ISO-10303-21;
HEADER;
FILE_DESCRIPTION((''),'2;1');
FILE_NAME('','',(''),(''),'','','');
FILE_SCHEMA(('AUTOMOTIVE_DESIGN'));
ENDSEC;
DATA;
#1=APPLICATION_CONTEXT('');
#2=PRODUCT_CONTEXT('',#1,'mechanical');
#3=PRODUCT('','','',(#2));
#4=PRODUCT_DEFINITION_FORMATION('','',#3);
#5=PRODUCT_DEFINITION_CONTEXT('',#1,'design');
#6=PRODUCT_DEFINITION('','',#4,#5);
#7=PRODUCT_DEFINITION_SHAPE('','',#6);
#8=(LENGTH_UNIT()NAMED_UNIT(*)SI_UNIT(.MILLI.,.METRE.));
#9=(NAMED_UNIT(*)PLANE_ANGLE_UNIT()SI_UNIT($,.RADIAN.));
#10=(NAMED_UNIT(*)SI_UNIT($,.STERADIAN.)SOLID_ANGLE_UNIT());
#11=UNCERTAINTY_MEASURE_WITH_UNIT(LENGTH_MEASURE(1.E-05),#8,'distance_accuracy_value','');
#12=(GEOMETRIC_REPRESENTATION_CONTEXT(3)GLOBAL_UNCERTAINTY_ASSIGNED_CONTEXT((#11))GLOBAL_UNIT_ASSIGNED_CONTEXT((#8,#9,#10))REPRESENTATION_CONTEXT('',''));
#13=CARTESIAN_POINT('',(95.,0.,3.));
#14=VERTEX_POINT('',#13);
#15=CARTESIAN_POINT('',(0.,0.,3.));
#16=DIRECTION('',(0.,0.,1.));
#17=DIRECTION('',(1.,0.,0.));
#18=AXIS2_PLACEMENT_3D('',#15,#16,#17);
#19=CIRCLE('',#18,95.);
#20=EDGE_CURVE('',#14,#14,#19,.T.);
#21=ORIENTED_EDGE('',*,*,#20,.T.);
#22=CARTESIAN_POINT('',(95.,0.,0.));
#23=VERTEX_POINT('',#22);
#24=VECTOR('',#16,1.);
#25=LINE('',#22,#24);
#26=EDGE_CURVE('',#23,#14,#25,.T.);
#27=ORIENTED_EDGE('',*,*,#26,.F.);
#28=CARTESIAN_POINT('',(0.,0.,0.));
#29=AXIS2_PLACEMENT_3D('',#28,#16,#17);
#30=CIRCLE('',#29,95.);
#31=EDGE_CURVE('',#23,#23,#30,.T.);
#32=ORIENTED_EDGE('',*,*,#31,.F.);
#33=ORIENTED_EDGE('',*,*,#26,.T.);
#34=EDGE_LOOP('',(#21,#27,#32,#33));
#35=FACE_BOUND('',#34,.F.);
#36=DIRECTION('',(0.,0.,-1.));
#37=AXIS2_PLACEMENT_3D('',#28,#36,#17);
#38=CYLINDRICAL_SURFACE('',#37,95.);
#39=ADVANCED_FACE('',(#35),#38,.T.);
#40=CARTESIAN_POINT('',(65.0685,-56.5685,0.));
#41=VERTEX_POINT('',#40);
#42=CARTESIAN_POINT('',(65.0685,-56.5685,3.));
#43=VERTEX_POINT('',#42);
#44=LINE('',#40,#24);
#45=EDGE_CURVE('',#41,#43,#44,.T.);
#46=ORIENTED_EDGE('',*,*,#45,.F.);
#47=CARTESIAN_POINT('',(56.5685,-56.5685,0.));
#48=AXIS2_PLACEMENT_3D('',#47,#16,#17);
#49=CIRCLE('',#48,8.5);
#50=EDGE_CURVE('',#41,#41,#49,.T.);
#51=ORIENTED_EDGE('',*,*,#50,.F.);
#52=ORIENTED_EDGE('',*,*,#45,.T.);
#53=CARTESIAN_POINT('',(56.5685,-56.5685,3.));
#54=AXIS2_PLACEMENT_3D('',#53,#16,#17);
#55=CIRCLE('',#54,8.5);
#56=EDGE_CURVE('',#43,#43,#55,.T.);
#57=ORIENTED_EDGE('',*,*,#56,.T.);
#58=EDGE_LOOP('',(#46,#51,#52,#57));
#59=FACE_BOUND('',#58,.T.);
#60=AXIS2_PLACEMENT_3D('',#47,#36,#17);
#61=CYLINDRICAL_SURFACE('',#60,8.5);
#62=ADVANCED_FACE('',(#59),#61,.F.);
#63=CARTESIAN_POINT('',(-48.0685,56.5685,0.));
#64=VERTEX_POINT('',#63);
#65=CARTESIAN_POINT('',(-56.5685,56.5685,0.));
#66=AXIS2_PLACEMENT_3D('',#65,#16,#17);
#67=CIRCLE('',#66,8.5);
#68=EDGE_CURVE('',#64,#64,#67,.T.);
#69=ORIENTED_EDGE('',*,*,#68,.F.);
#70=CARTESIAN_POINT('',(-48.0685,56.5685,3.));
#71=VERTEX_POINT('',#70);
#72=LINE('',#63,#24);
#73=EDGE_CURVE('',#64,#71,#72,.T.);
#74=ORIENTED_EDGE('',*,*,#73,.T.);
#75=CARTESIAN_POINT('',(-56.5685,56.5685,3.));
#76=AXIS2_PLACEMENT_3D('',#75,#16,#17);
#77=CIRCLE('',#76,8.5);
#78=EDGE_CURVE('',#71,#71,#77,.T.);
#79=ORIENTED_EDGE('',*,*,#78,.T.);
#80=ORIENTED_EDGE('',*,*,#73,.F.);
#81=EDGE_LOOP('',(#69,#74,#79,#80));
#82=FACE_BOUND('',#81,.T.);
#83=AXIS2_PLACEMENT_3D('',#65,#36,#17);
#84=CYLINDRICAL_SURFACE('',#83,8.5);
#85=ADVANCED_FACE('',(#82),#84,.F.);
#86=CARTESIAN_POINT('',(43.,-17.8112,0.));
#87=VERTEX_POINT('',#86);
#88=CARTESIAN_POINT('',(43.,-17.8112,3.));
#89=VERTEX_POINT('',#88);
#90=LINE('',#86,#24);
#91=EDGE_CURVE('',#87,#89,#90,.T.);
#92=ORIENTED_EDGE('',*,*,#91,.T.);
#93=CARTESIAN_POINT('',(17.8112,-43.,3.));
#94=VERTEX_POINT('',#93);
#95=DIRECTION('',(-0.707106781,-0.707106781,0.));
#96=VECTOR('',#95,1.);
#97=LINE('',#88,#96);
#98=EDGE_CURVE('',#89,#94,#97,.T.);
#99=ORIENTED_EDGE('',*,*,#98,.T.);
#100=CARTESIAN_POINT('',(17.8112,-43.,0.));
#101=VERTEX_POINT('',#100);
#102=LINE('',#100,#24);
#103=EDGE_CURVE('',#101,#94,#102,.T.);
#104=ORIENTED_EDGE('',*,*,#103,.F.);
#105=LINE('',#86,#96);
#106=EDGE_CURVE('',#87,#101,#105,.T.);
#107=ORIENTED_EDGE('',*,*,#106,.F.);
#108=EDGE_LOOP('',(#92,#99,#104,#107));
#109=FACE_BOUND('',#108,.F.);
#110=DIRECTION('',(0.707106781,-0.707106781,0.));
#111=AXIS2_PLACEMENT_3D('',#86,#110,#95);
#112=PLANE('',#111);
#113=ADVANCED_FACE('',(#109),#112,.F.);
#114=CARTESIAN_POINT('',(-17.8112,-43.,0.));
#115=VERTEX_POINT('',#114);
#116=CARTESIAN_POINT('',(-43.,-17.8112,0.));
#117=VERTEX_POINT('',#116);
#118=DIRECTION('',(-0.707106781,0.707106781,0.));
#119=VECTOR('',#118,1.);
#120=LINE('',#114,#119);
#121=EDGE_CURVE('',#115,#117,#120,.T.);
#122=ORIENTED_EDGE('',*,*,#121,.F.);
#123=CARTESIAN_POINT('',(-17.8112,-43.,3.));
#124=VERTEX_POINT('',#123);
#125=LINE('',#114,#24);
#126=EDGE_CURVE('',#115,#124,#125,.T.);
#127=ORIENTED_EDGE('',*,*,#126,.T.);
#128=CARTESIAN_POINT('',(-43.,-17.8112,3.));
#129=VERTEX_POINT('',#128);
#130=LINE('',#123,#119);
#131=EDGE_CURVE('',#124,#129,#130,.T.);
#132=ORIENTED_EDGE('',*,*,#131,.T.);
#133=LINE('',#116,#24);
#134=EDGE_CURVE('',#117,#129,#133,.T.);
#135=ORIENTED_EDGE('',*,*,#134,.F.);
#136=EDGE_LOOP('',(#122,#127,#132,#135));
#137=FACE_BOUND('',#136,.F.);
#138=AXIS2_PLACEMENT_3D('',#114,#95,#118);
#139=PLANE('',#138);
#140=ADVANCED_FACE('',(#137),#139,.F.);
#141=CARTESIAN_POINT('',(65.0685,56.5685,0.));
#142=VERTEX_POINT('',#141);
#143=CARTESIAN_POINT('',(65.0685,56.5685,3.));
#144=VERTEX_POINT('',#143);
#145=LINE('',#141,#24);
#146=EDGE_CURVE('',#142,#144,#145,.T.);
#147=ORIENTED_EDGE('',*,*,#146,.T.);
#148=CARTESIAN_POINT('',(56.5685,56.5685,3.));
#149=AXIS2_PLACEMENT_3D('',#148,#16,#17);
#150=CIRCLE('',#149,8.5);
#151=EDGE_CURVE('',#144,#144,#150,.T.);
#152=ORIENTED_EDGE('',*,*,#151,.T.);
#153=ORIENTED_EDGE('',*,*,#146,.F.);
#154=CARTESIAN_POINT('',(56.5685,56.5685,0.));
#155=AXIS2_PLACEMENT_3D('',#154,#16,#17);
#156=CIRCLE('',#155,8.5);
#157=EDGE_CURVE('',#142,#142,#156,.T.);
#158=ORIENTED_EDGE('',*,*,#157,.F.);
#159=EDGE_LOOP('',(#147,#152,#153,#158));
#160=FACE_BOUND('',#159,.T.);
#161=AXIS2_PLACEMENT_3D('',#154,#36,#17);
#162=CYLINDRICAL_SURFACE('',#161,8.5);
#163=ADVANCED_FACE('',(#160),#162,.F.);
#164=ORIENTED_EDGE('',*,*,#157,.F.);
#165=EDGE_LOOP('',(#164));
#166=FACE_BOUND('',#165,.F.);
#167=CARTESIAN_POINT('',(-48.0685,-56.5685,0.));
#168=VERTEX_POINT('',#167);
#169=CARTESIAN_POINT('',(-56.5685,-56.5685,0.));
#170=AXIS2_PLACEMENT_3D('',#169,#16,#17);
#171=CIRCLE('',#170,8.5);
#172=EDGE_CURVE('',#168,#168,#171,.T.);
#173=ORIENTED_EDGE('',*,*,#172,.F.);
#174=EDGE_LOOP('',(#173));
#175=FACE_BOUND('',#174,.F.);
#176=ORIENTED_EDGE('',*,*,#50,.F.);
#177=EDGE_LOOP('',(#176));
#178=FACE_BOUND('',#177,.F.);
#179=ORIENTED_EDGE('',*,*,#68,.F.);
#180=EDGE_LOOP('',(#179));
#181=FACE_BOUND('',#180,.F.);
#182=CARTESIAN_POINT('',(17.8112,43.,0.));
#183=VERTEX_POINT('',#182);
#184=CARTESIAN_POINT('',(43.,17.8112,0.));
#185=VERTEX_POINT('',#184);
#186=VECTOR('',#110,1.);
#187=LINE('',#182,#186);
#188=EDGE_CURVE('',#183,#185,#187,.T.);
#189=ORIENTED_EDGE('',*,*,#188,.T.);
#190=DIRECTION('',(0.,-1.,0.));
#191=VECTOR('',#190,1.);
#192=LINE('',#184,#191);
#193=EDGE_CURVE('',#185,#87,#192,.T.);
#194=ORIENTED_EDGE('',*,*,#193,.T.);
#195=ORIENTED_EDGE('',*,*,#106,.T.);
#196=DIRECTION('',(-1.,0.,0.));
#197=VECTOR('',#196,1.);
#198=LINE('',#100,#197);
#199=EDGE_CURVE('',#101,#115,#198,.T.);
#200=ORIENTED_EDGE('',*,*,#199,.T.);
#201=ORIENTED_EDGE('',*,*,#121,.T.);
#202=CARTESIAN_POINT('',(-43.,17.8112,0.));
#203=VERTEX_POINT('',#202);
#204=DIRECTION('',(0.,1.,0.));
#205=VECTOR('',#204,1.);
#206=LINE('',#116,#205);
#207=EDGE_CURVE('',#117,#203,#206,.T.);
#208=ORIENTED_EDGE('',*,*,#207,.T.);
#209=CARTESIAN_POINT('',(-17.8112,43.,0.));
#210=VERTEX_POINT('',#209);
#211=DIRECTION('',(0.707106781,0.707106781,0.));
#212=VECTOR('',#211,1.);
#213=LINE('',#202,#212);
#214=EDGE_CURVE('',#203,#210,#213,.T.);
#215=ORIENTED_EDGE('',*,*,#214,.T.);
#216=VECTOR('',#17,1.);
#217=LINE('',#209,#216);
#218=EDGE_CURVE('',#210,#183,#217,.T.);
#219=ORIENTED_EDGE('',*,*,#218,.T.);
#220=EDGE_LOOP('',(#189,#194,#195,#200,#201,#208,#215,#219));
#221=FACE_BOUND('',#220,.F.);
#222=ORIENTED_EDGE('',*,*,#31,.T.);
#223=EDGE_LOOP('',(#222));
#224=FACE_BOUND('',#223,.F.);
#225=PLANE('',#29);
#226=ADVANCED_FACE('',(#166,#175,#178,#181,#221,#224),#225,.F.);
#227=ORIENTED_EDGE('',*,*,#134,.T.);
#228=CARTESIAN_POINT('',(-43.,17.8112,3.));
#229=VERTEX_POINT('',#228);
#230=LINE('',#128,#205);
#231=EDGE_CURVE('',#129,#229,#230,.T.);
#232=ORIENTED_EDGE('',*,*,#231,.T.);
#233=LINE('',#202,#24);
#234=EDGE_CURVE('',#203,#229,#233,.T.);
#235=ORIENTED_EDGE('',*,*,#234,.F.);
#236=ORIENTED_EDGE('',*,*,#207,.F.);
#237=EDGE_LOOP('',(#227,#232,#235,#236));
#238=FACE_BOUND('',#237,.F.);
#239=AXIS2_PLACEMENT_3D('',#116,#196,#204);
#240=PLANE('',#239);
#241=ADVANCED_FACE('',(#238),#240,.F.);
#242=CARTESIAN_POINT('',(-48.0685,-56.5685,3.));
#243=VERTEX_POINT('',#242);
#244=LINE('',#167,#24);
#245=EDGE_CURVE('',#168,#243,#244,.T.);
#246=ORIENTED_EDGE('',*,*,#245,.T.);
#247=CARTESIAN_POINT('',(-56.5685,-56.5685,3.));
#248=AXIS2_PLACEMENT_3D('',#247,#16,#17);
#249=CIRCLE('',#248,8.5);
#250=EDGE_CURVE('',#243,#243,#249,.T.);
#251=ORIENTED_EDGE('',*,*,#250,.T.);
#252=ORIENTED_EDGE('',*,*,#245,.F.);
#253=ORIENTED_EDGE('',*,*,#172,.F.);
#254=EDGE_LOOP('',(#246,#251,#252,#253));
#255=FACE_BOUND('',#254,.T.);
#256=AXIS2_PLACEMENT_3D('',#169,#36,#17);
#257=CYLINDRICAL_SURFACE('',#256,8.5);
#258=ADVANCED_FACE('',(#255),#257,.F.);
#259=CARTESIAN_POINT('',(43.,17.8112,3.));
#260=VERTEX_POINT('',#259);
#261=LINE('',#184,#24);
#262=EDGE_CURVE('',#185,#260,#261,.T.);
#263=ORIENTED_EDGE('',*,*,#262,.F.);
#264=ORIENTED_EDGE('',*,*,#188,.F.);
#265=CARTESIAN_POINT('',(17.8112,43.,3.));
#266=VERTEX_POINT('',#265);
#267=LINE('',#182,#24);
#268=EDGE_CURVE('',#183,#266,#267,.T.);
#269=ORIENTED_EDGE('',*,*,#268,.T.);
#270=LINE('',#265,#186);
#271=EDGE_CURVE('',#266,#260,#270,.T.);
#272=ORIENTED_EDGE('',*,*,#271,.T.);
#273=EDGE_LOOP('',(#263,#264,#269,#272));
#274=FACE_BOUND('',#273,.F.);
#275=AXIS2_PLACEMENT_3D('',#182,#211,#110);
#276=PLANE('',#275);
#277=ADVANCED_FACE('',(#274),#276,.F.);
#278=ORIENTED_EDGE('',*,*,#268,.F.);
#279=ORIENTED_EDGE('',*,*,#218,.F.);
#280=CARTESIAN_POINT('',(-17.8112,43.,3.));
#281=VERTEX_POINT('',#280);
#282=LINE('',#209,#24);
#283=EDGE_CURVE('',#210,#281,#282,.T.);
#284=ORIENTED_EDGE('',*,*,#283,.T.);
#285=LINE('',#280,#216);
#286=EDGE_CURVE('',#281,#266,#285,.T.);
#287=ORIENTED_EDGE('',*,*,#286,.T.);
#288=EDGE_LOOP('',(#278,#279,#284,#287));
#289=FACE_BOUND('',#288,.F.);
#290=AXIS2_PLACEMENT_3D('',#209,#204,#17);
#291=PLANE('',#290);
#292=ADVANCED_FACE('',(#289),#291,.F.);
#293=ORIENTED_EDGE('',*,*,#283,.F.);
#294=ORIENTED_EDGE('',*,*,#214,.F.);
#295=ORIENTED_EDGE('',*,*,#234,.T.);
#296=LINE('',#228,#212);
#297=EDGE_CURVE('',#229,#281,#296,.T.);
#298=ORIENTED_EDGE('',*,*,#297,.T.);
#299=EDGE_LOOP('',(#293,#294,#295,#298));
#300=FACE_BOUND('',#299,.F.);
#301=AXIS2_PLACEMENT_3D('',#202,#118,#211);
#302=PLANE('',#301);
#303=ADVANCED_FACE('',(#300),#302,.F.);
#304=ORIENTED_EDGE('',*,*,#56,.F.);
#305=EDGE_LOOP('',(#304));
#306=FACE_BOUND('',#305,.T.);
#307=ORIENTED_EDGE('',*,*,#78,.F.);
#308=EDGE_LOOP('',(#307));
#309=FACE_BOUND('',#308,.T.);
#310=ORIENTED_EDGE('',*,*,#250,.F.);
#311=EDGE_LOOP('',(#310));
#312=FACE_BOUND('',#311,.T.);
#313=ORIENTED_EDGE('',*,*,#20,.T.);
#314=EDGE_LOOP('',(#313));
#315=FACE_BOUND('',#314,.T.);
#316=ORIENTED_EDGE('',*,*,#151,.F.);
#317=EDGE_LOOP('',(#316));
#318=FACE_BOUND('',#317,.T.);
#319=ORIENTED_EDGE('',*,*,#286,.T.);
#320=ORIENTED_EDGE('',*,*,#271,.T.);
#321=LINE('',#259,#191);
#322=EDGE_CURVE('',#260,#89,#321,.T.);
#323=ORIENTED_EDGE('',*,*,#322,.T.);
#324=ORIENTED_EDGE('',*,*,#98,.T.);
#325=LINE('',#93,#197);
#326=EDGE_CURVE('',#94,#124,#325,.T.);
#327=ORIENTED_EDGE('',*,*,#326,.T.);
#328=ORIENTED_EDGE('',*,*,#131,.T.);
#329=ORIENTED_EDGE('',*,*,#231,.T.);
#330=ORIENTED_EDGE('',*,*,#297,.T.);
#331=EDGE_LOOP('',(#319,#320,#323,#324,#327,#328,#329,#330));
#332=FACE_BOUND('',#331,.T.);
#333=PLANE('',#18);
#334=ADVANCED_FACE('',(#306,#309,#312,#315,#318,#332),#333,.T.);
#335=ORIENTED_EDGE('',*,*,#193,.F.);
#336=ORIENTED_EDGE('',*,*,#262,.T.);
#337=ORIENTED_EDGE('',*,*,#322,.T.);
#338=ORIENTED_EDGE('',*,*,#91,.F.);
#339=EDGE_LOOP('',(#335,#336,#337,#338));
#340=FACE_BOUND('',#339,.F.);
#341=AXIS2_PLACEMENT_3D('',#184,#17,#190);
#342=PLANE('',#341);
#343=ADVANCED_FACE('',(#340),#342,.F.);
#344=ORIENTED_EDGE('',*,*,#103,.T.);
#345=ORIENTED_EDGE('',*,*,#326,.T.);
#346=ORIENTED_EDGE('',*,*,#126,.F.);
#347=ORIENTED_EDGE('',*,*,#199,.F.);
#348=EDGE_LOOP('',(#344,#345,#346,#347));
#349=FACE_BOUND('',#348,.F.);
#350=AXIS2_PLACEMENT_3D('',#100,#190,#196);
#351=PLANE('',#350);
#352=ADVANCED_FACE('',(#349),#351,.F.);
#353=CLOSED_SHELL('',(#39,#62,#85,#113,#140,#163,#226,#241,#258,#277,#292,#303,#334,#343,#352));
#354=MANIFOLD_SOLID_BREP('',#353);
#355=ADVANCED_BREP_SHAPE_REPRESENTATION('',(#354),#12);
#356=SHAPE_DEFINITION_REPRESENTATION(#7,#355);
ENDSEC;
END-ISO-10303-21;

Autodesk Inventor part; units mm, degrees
ref_plane "YZ Plane" through (0, 0, 0) normal (1, 0, 0) x (0, 1, 0)
ref_plane "XZ Plane" through (0, 0, 0) normal (0, 1, 0) x (-1, 0, 0)
ref_plane "XY Plane" through (0, 0, 0) normal (0, 0, 1) x (1, 0, 0)
sketch "Sketch1" plane through (0, 0, 0) normal (0, 0, 1) x (1, 0, 0)
  circle A0 centre (0, 0) radius 95
  circle A1 centre (-56.5685, 56.5685) radius 8.5
  circle A2 centre (0, 0) radius 80 construction
  circle A3 centre (-56.5685, -56.5685) radius 8.5
  circle A4 centre (56.5685, -56.5685) radius 8.5
  circle A5 centre (56.5685, 56.5685) radius 8.5
  line L0 (17.8112, -43) -> (-17.8112, -43)
  line L1 (-17.8112, -43) -> (-43, -17.8112)
  line L2 (-43, -17.8112) -> (-43, 17.8112)
  line L3 (-43, 17.8112) -> (-17.8112, 43)
  line L4 (-17.8112, 43) -> (17.8112, 43)
  line L5 (17.8112, 43) -> (43, 17.8112)
  line L6 (43, 17.8112) -> (43, -17.8112)
  line L7 (43, -17.8112) -> (17.8112, -43)
  line L8 (0, 0) -> (-30.4056, 30.4056) construction
  dimension "d171" = 160
  dimension "d157" = 190
  dimension "d170" = 17
  dimension "d174" = 360
  dimension "d176" = 86
extrude "Plate5" add sketch "Sketch1" along normal blind 3
properties part number "PRS 9651 DrSysB MAIN  FLANGE_1200" material "Stainless Steel"
